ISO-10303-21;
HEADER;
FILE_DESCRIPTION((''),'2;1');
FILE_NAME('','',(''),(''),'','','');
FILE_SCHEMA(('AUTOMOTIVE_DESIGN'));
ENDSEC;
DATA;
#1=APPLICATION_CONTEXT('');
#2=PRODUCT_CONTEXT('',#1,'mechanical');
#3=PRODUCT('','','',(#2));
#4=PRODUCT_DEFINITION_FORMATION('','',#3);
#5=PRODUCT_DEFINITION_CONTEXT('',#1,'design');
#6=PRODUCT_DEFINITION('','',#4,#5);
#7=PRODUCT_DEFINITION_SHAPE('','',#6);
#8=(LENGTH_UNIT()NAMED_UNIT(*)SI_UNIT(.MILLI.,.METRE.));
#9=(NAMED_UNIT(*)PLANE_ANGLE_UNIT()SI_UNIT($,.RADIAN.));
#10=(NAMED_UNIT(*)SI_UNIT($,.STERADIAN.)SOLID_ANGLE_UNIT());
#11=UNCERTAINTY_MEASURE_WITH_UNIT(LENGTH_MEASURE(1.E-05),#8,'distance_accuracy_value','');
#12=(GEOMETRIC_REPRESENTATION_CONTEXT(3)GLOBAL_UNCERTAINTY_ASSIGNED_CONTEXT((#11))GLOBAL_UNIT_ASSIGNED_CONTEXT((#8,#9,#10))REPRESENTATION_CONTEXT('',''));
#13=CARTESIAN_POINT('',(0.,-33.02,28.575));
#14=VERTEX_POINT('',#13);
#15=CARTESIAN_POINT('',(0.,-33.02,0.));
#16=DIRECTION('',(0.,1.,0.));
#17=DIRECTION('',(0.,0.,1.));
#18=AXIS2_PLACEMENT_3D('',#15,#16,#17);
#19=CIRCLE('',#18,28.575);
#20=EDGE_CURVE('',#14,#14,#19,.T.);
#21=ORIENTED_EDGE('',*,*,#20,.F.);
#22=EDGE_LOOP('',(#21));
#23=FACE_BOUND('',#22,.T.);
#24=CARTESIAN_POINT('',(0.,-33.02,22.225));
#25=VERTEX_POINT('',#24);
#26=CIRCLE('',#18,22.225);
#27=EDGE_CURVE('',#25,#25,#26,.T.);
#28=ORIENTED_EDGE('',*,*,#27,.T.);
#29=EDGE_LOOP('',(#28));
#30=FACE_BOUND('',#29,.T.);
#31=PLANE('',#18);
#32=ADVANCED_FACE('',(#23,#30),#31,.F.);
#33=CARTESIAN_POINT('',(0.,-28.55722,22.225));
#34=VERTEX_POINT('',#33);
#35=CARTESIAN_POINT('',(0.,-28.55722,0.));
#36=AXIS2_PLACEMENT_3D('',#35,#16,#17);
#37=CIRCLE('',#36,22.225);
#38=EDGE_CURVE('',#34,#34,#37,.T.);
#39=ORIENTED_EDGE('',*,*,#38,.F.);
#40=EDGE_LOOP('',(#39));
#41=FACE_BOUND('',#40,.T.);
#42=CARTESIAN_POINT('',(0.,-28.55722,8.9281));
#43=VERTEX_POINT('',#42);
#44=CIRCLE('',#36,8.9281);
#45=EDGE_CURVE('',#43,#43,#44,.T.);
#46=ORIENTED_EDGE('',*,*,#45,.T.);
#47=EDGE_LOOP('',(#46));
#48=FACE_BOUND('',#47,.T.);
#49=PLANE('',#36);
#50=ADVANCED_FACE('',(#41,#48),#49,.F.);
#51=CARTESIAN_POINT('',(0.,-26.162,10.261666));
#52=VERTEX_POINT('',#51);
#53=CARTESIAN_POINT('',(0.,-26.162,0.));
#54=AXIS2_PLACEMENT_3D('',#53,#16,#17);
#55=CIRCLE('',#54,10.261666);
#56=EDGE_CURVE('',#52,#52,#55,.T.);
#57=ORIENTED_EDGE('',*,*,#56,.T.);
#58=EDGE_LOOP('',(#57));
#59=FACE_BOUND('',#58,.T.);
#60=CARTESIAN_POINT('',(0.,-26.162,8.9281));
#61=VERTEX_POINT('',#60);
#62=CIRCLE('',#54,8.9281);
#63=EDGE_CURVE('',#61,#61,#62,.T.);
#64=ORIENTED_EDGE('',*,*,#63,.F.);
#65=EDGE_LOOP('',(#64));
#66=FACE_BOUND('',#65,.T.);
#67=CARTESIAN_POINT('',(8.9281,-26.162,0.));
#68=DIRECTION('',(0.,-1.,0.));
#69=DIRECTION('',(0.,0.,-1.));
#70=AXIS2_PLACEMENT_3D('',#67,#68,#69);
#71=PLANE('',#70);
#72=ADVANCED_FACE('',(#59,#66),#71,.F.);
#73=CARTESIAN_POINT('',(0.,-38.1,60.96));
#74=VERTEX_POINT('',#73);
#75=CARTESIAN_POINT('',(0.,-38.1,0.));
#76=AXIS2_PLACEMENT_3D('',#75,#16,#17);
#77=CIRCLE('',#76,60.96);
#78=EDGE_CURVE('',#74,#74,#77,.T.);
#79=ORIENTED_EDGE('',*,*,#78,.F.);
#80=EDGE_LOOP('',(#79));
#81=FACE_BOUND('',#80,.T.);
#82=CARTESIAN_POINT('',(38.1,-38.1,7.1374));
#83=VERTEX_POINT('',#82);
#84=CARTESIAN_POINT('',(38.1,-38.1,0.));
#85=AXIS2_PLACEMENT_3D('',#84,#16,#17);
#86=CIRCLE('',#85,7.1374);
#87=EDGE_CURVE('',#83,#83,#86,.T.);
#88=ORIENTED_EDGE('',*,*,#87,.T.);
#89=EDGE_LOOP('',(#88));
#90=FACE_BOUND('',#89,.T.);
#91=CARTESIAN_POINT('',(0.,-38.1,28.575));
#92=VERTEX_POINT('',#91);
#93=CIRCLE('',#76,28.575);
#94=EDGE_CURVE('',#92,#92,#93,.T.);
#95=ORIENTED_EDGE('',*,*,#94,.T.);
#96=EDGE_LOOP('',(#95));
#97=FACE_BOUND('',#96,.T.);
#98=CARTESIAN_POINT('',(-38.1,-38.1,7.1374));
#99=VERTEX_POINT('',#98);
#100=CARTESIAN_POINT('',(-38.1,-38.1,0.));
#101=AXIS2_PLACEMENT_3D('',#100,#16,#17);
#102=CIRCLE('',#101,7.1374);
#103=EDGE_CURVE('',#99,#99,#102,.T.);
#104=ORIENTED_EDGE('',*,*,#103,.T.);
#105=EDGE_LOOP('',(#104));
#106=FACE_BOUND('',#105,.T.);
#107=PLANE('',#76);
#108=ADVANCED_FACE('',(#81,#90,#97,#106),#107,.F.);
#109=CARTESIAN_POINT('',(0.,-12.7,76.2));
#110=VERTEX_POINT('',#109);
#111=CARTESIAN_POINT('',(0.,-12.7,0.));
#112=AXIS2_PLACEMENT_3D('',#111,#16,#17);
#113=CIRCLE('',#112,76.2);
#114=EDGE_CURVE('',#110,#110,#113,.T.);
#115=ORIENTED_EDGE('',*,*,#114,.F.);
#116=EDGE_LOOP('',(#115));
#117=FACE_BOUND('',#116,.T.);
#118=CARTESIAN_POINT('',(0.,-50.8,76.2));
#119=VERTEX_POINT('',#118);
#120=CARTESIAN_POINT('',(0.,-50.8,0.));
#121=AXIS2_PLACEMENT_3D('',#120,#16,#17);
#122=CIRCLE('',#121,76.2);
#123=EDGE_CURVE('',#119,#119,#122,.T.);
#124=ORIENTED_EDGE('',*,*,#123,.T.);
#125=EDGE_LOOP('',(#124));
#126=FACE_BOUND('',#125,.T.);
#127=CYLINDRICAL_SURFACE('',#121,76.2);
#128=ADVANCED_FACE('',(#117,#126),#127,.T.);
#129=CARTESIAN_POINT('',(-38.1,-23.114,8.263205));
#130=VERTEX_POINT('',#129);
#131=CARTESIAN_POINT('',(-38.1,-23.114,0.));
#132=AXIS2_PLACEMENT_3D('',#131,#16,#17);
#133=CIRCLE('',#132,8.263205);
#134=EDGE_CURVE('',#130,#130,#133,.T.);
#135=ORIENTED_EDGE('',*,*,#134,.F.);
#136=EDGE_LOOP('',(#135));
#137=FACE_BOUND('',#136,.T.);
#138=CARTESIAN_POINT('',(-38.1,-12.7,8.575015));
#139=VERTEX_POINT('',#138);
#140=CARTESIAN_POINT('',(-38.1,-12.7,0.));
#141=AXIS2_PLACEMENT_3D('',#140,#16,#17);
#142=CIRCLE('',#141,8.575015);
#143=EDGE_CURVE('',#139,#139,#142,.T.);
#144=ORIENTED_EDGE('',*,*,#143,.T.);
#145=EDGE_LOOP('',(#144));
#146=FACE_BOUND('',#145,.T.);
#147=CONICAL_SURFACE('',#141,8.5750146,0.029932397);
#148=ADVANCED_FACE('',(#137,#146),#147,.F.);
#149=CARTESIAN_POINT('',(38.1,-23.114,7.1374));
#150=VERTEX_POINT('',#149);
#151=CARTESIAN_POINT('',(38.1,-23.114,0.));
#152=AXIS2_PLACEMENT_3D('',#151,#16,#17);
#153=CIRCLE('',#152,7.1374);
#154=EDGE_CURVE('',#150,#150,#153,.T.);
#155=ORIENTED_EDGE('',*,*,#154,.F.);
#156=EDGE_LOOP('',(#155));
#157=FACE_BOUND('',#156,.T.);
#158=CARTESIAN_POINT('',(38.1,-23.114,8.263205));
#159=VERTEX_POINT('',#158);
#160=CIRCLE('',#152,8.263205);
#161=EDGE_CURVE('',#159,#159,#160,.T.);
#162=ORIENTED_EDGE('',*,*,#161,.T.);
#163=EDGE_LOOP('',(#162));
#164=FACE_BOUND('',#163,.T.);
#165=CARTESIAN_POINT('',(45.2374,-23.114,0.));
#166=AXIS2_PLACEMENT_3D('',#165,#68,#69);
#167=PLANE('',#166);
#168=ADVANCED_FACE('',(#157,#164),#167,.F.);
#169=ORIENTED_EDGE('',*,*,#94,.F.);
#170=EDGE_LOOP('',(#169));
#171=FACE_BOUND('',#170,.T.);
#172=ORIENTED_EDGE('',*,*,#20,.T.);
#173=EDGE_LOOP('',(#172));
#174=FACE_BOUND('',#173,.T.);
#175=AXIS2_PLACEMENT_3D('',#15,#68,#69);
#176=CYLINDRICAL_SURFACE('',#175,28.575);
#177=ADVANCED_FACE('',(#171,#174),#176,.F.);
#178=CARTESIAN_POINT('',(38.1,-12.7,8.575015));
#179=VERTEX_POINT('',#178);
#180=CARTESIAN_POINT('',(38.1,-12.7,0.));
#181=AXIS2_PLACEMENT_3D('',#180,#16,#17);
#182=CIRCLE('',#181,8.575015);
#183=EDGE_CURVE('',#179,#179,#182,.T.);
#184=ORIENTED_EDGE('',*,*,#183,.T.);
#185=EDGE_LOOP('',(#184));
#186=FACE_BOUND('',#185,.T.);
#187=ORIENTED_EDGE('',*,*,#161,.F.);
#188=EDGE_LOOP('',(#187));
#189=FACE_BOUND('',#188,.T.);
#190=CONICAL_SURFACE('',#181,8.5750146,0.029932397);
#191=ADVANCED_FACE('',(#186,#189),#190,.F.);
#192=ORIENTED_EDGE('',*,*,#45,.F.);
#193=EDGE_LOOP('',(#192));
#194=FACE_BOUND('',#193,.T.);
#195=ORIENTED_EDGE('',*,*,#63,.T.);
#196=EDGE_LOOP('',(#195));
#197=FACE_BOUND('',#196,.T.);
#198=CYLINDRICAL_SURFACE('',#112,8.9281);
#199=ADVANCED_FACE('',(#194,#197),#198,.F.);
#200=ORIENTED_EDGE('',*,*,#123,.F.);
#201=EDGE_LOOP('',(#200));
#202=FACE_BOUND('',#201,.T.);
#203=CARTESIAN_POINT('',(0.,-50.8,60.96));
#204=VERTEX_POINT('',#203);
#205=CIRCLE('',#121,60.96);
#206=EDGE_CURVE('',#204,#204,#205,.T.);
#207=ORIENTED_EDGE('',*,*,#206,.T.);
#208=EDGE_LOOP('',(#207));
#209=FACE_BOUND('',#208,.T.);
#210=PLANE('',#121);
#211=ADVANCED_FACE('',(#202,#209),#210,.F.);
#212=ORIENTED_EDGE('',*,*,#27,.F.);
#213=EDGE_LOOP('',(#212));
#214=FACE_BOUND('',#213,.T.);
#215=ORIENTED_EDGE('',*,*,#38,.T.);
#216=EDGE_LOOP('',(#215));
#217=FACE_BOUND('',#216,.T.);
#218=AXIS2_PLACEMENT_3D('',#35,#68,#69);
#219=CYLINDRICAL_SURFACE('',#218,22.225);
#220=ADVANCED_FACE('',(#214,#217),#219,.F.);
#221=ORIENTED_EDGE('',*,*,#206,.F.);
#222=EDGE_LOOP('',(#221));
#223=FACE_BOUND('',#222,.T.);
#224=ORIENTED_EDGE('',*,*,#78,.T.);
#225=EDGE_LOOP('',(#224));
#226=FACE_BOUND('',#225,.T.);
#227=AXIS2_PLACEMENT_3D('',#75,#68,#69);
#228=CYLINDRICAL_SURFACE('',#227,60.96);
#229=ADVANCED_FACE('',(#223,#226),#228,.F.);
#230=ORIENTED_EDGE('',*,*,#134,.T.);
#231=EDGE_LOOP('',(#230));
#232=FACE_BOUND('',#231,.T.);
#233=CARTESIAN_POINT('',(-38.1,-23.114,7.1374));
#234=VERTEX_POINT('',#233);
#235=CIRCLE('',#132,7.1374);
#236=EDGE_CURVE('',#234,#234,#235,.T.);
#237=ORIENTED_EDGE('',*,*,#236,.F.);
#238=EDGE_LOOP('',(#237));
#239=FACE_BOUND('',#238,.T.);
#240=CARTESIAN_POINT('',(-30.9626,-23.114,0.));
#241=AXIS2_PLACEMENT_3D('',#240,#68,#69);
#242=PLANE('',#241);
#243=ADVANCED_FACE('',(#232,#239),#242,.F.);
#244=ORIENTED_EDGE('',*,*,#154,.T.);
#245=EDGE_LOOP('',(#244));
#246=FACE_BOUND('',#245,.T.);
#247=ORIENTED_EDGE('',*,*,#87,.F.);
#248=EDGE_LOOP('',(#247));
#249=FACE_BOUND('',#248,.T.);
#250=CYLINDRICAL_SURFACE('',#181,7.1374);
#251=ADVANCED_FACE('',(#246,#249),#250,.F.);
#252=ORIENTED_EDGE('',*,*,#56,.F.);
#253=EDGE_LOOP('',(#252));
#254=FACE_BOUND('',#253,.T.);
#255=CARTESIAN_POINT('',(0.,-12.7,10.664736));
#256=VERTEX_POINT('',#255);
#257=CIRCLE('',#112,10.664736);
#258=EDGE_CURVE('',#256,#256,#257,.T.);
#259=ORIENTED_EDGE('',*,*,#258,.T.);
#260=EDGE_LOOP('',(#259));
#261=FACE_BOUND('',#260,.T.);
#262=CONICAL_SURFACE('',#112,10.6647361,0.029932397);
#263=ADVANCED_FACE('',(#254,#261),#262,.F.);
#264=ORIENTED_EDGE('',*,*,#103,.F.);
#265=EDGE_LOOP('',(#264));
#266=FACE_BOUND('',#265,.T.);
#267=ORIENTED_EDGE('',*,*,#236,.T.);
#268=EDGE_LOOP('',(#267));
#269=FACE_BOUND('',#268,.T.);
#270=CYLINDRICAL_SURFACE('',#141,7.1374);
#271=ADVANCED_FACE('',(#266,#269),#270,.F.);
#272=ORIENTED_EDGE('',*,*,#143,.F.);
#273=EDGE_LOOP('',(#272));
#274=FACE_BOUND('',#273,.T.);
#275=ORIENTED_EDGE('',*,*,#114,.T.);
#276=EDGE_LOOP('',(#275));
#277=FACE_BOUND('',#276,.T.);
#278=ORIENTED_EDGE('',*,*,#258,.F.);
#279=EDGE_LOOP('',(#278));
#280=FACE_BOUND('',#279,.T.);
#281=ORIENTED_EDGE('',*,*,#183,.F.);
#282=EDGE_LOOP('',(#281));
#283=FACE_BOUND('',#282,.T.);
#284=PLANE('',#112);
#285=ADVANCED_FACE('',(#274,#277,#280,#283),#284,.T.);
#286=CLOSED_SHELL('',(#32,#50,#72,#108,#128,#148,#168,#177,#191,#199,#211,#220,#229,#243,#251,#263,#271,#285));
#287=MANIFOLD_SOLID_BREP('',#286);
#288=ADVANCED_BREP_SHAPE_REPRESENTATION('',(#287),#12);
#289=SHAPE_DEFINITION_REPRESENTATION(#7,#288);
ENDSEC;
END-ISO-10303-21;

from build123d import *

# Parameters (mm, degrees)
SKETCH1_R                                      = 76.2
BILLET_DEPTH                                   = 50.8
SKETCH3_R                                      = 28.575
LOX_PLATE_DEPTH                                = 17.78
SKETCH5_R                                      = 22.225
LOX_DOME_DEPTH                                 = 4.46278
SKETCH7_R                                      = 76.2
TOP_MILL_DEPTH                                 = 12.7
SKETCH12_R                                     = 60.96
KEROSENE_PLATE_DEPTH                           = 12.7
KEROSENE_INLET_3_8_NPT_TAPPED_HOLE1_AT_2_COUNT = 2
KEROSENE_INLET_3_8_NPT_TAPPED_HOLE1_AT_2_PITCH = 76.2


with BuildPart() as part:
    # Sketch1 → Billet (new body)
    with BuildSketch(Plane(origin=(0, 0, 0), x_dir=(1, 0, 0), z_dir=(0, 1, 0))):
        Circle(SKETCH1_R)
    extrude(amount=-BILLET_DEPTH)

    # Sketch3 → Lox Plate (cut)
    with BuildSketch(Plane(origin=(0, -50.8, 0), x_dir=(1, 0, 0), z_dir=(0, 1, 0))):
        Circle(SKETCH3_R)
    extrude(amount=LOX_PLATE_DEPTH, mode=Mode.SUBTRACT)

    # Sketch5 → Lox Dome (cut)
    with BuildSketch(Plane(origin=(0, -33.02, 0), x_dir=(1, 0, 0), z_dir=(0, 1, 0))):
        Circle(SKETCH5_R)
    extrude(amount=LOX_DOME_DEPTH, mode=Mode.SUBTRACT)

    # Sketch7 → Top Mill (cut)
    with BuildSketch(Plane(origin=(0, 0, 0), x_dir=(1, 0, 0), z_dir=(0, 1, 0))):
        Circle(SKETCH7_R)
    extrude(amount=-TOP_MILL_DEPTH, mode=Mode.SUBTRACT)

    # Sketch12 → Kerosene Plate (cut)
    with BuildSketch(Plane(origin=(0, -50.8, 0), x_dir=(1, 0, 0), z_dir=(0, 1, 0))):
        Circle(SKETCH12_R)
    extrude(amount=KEROSENE_PLATE_DEPTH, mode=Mode.SUBTRACT)

    # Sketch21 → Lox Inlet-1/2 NPT Tapped Hole3 (revolve, cut)
    with BuildSketch(Plane(origin=(0, -12.7, 0), x_dir=(0, 0, 1), z_dir=(1, 0, 0))):
        Polygon((0, 0), (0, 38.1), (8.9281, 38.1), (8.9281, 13.462), (10.261665792, 13.462), (10.6647361, 0), align=None)
    revolve(axis=Axis((0, -6.35, 0), (0, -1, 0)), mode=Mode.SUBTRACT)

    # Sketch25 → Kerosene Inlet-3/8 NPT Tapped Hole1 (revolve, cut)
    with BuildSketch(Plane(origin=(-38.1, -12.7, 0), x_dir=(0, 0, 1), z_dir=(1, 0, 0))):
        Polygon((0, 0), (0, 38.1), (7.1374, 38.1), (7.1374, 10.414), (8.263205494, 10.414), (8.5750146, 0), align=None)
    kerosene_inlet_3_8_npt_tapped_hole1 = revolve(axis=Axis((-38.1, -6.35, 0), (0, -1, 0)), mode=Mode.SUBTRACT)

    # Kerosene Inlet-3/8 NPT Tapped Hole1 at 2: Kerosene Inlet-3/8 NPT Tapped Hole1 ×2
    with Locations(*[(i * KEROSENE_INLET_3_8_NPT_TAPPED_HOLE1_AT_2_PITCH, 0, 0) for i in range(1, KEROSENE_INLET_3_8_NPT_TAPPED_HOLE1_AT_2_COUNT)]):
        add(kerosene_inlet_3_8_npt_tapped_hole1, mode=Mode.SUBTRACT)


solid = part.part
